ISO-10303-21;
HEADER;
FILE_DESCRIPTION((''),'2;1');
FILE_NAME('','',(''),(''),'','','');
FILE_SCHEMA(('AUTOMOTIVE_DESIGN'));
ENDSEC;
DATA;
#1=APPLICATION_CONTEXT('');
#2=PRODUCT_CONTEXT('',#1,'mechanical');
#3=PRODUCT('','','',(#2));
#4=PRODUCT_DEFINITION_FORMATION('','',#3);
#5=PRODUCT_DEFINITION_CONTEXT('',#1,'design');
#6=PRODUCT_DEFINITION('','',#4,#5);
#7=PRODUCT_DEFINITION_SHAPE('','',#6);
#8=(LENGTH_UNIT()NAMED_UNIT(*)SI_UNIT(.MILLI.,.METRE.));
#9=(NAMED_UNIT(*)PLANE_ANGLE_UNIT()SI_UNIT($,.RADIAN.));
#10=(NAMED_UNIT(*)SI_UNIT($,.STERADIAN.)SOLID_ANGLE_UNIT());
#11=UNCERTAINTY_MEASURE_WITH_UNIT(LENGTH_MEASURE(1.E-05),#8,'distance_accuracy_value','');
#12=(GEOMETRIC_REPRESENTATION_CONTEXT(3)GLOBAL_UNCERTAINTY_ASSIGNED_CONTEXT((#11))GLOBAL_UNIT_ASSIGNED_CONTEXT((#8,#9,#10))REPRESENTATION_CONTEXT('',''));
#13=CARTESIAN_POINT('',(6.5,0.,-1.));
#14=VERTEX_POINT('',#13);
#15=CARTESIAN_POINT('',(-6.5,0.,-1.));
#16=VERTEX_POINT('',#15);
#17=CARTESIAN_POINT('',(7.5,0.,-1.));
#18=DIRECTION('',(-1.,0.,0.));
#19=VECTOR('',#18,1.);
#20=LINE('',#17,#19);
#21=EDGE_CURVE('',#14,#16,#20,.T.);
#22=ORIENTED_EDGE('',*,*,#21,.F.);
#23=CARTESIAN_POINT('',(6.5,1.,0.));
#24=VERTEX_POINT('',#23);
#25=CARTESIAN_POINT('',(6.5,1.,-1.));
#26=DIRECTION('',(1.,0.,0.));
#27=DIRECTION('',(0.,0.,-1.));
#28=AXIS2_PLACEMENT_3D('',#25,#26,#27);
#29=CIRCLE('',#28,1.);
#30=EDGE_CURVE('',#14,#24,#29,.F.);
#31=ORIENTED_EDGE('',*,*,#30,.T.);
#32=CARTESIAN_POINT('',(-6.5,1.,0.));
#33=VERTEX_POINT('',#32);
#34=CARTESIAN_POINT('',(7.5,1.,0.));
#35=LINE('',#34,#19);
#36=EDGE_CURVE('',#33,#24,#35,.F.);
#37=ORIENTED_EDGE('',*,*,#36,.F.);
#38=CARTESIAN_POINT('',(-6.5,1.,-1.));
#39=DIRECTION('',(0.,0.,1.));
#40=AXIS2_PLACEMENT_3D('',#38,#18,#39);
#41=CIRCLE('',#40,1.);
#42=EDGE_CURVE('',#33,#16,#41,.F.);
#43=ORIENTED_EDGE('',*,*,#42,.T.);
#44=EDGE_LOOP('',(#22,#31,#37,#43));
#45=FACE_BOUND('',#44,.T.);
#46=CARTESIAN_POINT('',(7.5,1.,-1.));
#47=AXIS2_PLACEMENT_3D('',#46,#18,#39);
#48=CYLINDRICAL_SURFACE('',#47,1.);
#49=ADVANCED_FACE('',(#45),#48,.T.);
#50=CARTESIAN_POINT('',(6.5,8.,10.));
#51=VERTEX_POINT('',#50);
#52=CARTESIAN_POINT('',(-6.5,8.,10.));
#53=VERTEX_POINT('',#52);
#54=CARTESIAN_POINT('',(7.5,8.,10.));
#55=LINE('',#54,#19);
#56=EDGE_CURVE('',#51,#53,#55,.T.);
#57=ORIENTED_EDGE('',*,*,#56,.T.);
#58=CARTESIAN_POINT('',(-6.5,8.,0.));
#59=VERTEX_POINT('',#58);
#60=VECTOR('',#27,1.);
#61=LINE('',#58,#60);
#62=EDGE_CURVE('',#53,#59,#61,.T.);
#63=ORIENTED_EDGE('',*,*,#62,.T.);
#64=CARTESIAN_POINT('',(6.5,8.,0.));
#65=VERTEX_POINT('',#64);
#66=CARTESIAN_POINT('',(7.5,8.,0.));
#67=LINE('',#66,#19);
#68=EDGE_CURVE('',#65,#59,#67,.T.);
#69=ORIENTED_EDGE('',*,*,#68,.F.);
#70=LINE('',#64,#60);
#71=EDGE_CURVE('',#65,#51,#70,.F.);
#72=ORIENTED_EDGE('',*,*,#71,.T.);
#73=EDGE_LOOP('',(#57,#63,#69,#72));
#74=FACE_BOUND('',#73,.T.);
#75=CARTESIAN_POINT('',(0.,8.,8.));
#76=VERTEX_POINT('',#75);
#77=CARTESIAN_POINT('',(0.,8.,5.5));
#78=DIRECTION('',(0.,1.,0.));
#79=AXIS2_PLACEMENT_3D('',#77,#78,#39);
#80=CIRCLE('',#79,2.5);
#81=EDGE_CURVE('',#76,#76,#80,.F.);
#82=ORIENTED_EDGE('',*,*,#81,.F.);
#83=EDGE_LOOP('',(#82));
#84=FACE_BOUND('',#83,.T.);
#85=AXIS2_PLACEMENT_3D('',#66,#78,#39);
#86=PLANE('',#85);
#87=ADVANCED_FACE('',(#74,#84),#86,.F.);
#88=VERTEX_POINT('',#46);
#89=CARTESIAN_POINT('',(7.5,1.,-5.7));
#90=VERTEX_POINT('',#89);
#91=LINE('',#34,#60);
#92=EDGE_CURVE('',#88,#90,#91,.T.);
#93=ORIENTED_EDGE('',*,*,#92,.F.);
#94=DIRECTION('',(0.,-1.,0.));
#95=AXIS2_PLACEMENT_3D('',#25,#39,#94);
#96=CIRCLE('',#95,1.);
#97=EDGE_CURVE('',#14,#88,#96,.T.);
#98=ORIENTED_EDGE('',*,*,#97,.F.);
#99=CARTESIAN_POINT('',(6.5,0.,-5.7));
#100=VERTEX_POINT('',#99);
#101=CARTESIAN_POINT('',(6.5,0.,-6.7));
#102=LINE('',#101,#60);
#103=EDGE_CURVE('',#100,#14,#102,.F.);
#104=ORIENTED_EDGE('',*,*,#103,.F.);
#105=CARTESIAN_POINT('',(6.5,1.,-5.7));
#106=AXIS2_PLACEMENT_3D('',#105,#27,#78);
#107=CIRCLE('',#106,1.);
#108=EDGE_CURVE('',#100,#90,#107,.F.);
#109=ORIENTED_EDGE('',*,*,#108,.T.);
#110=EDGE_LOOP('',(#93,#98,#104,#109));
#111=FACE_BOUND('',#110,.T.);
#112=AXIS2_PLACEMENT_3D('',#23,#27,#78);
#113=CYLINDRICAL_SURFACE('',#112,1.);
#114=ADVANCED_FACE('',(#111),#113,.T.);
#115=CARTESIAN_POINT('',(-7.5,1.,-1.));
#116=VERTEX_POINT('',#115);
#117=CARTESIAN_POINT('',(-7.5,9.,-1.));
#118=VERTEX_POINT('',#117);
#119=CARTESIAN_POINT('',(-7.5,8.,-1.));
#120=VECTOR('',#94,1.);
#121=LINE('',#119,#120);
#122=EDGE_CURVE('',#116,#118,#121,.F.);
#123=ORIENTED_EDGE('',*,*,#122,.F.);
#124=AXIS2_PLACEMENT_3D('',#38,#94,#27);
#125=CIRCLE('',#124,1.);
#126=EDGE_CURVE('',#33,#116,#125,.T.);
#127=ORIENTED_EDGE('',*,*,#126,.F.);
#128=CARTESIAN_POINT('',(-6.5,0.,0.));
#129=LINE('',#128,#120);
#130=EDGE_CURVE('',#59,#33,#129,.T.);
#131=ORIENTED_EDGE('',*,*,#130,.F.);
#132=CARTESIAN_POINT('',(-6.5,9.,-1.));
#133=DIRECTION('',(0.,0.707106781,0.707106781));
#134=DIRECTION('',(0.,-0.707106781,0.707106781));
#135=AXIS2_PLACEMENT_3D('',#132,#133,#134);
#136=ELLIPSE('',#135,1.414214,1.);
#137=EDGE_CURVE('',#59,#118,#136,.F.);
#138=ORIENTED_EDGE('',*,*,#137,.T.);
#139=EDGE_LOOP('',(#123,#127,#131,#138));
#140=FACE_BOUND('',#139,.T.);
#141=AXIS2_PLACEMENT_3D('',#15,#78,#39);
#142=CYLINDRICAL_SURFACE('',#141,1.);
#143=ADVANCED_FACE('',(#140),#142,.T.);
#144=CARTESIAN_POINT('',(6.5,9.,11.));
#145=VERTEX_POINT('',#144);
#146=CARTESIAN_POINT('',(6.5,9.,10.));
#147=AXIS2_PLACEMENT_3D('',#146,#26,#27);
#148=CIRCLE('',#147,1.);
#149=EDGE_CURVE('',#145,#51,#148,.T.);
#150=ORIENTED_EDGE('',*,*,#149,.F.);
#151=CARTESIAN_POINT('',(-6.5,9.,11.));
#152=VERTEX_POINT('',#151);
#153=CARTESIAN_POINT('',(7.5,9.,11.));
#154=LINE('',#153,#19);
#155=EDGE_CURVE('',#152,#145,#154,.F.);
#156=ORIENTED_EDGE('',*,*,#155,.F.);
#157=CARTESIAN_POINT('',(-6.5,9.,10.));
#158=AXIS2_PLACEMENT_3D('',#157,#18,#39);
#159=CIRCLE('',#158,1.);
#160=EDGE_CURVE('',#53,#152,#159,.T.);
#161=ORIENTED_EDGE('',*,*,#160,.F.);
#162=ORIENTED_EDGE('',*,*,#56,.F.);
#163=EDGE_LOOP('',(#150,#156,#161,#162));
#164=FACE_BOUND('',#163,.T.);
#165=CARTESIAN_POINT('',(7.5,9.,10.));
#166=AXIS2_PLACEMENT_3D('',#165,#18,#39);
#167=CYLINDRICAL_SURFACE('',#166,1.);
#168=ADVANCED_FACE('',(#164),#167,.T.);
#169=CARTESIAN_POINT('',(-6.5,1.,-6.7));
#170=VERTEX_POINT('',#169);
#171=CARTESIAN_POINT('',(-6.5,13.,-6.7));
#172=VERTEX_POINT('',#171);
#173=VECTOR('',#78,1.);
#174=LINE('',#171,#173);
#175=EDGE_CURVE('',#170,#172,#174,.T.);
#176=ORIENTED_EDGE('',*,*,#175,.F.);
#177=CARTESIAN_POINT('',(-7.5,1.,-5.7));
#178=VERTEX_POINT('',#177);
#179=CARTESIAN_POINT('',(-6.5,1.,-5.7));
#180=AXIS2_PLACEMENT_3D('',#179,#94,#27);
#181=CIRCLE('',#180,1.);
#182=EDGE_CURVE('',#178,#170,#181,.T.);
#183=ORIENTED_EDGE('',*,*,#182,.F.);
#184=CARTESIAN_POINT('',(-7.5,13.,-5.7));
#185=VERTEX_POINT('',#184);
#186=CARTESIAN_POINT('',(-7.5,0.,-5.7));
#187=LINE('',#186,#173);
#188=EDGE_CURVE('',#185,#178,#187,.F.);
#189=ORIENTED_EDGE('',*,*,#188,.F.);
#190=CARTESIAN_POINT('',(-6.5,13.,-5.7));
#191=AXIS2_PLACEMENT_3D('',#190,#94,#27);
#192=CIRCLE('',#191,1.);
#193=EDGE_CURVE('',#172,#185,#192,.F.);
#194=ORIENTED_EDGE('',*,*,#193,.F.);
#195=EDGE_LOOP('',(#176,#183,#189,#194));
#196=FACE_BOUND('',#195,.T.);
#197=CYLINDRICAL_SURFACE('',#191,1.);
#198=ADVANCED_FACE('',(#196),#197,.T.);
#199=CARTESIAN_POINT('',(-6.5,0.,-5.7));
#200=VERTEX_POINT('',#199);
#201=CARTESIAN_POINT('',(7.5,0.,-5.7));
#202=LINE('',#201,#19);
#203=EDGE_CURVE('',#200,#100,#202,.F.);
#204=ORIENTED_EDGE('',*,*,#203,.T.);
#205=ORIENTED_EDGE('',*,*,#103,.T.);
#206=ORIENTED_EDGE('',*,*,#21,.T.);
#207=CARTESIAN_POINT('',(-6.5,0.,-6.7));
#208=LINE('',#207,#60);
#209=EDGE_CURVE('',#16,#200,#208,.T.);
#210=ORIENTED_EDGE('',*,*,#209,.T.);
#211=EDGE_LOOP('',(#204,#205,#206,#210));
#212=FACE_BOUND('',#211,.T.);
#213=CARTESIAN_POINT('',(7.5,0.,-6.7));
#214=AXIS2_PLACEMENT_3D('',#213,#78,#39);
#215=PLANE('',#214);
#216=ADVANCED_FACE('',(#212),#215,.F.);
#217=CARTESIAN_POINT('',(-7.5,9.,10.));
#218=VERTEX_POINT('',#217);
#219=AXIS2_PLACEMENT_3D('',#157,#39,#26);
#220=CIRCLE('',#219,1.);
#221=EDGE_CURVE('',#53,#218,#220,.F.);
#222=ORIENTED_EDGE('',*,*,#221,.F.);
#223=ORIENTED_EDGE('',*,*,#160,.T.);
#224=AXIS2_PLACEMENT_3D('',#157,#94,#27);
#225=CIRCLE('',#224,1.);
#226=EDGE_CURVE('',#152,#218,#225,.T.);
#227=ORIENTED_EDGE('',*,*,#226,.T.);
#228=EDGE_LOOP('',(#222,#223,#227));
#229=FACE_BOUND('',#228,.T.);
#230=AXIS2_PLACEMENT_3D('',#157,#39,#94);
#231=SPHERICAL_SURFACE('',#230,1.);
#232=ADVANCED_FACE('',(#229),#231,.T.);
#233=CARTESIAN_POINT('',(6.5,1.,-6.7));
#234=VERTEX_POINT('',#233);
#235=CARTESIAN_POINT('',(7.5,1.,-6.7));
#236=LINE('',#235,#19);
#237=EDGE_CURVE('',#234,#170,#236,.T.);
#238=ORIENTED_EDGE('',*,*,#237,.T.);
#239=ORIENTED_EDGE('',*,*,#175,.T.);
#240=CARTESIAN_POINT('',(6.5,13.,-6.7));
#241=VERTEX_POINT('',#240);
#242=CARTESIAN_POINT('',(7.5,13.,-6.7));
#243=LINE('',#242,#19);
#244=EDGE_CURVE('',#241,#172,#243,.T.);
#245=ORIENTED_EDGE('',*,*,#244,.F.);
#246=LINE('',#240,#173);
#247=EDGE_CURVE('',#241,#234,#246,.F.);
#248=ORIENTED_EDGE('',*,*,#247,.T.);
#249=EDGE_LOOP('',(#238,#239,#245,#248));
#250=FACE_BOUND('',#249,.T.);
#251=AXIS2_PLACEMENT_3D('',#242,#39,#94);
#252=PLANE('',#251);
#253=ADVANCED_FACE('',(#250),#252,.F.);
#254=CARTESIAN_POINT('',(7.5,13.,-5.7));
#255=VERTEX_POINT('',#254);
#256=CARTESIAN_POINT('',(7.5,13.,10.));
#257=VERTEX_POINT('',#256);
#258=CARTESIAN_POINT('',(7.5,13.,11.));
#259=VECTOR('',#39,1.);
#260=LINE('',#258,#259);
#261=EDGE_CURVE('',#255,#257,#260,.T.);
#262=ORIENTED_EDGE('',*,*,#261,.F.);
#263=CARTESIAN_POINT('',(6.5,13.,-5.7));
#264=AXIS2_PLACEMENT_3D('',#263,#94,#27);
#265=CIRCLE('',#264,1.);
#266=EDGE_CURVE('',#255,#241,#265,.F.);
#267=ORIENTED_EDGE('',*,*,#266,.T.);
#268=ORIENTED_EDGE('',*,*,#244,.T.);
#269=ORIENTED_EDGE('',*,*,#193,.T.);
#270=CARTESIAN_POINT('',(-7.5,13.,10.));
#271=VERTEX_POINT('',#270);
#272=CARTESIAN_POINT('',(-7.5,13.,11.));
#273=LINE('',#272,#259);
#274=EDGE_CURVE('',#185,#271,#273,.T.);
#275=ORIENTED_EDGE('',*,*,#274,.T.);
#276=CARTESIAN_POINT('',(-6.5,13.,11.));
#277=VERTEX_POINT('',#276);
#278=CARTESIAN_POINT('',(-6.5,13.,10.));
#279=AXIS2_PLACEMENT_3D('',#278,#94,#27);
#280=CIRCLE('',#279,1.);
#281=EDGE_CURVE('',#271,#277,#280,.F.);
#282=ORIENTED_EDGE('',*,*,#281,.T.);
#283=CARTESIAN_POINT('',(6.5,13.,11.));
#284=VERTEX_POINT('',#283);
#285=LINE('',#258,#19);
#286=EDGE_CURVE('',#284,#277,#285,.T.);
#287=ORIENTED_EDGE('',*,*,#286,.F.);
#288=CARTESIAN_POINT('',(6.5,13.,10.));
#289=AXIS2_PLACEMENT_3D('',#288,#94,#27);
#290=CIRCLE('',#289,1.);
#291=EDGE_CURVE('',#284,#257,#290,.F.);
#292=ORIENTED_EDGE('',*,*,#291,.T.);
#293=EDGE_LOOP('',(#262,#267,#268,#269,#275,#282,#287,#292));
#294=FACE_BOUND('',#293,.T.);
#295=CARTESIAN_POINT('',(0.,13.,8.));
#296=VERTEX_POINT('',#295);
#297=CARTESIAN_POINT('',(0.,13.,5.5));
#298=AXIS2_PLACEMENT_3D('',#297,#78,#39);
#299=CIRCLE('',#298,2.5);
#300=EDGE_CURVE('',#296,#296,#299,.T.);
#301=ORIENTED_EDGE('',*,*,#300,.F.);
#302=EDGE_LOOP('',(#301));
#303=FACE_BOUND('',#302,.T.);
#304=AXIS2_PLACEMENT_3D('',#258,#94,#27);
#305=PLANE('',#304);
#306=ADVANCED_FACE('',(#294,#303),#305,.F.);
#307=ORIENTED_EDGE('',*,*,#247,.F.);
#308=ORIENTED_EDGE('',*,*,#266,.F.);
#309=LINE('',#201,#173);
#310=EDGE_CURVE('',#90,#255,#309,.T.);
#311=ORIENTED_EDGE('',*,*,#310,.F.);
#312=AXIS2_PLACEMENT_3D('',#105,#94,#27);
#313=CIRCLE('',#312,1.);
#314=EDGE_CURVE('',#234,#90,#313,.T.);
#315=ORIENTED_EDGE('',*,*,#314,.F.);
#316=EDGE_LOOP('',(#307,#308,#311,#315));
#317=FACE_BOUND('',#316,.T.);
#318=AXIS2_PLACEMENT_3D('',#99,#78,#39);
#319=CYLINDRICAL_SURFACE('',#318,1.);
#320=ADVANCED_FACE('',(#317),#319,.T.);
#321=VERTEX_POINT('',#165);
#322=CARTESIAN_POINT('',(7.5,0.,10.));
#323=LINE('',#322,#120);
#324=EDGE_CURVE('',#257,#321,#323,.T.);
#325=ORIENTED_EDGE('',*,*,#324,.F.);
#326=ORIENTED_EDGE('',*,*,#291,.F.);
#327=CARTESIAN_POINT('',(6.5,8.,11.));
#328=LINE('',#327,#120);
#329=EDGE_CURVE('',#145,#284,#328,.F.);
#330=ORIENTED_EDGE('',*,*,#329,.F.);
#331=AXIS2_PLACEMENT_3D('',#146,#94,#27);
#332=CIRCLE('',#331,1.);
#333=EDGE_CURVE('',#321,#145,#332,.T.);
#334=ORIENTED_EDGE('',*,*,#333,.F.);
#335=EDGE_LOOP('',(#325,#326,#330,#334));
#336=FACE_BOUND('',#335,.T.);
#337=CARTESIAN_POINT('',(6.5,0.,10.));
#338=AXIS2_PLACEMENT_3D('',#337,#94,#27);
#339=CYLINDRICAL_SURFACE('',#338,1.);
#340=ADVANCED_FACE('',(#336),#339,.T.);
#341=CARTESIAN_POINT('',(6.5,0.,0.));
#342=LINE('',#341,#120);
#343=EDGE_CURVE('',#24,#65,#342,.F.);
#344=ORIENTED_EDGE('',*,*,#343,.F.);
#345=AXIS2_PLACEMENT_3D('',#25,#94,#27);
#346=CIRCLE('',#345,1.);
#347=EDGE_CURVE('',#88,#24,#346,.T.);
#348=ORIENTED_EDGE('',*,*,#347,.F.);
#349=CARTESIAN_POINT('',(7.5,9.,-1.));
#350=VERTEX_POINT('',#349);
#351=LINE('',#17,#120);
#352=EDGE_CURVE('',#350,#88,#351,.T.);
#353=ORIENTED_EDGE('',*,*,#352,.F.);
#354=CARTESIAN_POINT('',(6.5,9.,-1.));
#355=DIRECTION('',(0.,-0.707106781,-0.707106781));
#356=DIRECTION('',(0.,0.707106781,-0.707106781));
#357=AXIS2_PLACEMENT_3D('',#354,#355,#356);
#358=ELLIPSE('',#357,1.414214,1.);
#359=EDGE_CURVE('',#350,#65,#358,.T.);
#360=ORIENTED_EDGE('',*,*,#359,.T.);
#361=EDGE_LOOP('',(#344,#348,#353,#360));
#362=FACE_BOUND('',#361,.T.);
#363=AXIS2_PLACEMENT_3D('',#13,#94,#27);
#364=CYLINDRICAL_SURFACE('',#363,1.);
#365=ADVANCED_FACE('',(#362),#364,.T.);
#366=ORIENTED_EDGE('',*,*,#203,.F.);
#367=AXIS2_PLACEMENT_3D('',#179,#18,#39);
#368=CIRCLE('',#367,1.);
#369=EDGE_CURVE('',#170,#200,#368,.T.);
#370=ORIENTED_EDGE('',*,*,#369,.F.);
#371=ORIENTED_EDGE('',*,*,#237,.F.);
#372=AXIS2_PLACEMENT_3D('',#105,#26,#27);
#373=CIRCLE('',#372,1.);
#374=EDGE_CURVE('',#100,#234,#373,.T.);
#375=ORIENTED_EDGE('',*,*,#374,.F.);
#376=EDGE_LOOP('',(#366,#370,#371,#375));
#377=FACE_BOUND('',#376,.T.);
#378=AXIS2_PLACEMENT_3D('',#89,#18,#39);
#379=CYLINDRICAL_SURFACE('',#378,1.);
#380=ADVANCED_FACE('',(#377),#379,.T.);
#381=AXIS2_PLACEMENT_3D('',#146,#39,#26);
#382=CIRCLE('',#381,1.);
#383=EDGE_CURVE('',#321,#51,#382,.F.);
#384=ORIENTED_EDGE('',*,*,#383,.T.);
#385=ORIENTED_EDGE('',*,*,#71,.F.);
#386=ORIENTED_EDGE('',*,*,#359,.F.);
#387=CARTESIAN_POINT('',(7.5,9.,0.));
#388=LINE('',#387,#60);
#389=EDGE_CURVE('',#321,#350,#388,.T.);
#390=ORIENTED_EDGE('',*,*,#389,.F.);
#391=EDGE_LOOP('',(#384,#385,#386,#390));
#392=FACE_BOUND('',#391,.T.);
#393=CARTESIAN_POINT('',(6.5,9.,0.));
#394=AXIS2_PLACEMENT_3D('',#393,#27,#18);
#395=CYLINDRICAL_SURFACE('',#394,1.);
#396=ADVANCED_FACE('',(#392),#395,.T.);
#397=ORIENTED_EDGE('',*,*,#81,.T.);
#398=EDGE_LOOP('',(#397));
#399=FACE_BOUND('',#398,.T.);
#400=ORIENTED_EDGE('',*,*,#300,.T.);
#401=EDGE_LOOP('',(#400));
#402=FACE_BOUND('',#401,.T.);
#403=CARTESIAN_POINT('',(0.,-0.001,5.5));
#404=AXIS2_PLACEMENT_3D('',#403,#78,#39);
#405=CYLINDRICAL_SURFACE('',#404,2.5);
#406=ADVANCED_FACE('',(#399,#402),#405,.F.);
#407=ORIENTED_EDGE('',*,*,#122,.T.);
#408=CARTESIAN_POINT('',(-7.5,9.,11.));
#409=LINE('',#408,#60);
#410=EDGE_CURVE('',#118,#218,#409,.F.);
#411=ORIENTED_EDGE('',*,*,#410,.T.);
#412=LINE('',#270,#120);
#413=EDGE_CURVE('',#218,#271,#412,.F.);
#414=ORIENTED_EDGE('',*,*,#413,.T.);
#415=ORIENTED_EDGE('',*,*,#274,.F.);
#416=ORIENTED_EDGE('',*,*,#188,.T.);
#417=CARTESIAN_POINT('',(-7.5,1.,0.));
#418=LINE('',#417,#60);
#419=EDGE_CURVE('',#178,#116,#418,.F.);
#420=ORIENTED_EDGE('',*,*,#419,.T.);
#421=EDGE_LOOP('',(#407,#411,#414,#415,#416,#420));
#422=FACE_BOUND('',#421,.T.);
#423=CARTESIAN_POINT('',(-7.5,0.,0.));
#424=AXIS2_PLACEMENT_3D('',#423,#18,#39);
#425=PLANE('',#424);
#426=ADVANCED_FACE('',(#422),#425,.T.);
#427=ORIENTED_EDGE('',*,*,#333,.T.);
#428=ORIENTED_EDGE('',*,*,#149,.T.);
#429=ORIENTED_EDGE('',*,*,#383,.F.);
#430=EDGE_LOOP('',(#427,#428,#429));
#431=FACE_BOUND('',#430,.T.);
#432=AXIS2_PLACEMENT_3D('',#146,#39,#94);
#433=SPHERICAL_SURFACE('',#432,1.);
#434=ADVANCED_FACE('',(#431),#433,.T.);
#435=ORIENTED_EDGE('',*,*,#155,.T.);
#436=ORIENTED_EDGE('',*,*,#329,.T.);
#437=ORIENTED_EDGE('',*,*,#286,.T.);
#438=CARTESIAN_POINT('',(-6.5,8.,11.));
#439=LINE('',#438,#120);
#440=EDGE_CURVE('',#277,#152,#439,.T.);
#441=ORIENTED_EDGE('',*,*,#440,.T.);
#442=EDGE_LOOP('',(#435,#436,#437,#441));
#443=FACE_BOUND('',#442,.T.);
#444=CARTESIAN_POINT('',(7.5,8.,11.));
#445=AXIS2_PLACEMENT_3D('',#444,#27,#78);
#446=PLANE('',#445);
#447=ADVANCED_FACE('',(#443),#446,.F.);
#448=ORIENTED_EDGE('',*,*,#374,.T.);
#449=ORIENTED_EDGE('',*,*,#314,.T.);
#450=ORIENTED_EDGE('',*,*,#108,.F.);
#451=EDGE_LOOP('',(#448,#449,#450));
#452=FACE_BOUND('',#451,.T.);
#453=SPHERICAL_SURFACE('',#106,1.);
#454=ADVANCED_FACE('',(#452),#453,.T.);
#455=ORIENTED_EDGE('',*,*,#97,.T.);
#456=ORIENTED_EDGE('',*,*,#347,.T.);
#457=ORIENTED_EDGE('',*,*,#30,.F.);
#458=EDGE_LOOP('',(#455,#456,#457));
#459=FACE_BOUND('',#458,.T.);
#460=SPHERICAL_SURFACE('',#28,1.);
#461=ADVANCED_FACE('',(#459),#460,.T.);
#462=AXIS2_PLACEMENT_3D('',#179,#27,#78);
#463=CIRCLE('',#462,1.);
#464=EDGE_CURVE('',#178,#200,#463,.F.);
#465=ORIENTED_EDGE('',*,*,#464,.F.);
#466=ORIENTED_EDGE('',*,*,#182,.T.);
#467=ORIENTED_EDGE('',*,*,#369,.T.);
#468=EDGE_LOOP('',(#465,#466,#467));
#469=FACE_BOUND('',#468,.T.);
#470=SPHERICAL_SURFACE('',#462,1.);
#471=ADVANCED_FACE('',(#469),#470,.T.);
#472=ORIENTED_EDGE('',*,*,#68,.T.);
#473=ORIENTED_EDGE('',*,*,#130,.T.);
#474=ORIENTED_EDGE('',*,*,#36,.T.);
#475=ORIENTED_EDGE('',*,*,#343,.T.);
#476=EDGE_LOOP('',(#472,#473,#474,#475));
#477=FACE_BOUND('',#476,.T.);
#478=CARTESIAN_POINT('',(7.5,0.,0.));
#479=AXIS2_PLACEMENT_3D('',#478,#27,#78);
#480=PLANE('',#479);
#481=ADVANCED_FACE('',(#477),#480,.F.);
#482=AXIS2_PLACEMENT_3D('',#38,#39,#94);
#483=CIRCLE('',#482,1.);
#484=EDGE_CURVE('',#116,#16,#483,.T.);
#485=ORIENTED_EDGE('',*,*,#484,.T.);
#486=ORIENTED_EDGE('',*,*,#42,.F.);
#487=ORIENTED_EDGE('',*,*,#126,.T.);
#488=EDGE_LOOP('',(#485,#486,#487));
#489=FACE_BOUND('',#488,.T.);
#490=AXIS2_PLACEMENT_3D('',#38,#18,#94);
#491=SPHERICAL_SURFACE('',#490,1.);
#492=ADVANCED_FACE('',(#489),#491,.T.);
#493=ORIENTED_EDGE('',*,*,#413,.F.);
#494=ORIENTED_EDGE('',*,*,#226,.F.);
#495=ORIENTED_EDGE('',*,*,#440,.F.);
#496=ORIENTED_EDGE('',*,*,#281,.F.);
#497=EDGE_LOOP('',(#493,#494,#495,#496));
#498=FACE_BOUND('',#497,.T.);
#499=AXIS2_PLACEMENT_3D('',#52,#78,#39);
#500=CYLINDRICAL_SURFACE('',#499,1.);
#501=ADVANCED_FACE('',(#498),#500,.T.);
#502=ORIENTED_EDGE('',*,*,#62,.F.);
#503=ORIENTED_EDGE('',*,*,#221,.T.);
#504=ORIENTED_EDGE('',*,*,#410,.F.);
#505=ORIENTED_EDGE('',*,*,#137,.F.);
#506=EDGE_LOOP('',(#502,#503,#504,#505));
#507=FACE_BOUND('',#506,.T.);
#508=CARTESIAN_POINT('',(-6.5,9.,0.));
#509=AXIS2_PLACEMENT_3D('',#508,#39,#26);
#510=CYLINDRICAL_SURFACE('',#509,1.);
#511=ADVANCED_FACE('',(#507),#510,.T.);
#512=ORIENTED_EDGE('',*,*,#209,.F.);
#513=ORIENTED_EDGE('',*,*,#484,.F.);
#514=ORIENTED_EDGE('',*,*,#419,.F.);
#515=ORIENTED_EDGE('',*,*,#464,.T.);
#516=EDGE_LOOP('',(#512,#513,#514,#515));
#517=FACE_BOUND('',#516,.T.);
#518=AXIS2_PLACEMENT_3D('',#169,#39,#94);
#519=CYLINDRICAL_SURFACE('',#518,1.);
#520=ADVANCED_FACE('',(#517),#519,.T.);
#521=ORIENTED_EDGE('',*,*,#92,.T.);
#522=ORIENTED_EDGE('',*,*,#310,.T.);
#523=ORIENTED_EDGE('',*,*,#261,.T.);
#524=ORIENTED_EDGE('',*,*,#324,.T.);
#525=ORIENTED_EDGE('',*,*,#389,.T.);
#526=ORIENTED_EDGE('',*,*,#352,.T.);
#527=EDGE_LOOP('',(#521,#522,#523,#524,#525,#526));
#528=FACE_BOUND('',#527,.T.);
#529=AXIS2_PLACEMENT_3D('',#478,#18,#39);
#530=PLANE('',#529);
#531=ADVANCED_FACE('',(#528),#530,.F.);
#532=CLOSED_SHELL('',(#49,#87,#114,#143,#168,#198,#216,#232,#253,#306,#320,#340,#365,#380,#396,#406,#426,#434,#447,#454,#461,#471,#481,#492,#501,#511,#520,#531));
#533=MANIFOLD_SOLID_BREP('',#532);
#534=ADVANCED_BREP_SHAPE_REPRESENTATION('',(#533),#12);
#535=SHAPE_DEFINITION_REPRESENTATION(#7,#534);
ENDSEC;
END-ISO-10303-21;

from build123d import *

# Parameters (mm, degrees)
BOSS_EXTRUDE1_DEPTH = 7.5
CUT_EXTRUDE1_REACH  = 20.608
SKETCH2_R           = 2.5
FILLET1_R           = 1


with BuildPart() as part:
    # Sketch1 → Boss-Extrude1 (new, symmetric)
    with BuildSketch(Plane(origin=(0, 0, 0), x_dir=(0, 0, -1), z_dir=(1, 0, 0))):
        Polygon((0, 0), (0, 8), (-11, 8), (-11, 13), (6.7, 13), (6.7, 0), align=None)
    extrude(amount=BOSS_EXTRUDE1_DEPTH, both=True)

    # Sketch2 → Cut-Extrude1 (cut, up to next)
    with BuildSketch(Plane(origin=(0, 13, 0), x_dir=(1, 0, 0), z_dir=(0, 1, 0)), mode=Mode.PRIVATE) as cut_extrude1_sk1:
        with Locations(Location((0, -5.5, 0), (0, 0, 270))):
            Circle(SKETCH2_R)
    cut_extrude1_tool1 = extrude(cut_extrude1_sk1.sketch, amount=-CUT_EXTRUDE1_REACH, mode=Mode.PRIVATE) & part.part
    add(cut_extrude1_tool1.solids().sort_by_distance((0, 13, 5.5))[0], mode=Mode.SUBTRACT)

    # Fillet1
    fillet1_edges = [part.edges().sort_by_distance(p)[0] for p in [
        (0, 0, 0),
        (0, 8, 11),
        (0, 0, -6.7),
        (7.5, 10.5, 11),
        (7.5, 8, 5.5),
        (7.5, 4, 0),
        (7.5, 0, -3.35),
        (-7.5, 4, 0),
        (-7.5, 8, 5.5),
        (-7.5, 10.5, 11),
        (-7.5, 6.5, -6.7),
        (-7.5, 0, -3.35),
        (7.5, 6.5, -6.7),
    ]]
    fillet(fillet1_edges, radius=FILLET1_R)


solid = part.part
